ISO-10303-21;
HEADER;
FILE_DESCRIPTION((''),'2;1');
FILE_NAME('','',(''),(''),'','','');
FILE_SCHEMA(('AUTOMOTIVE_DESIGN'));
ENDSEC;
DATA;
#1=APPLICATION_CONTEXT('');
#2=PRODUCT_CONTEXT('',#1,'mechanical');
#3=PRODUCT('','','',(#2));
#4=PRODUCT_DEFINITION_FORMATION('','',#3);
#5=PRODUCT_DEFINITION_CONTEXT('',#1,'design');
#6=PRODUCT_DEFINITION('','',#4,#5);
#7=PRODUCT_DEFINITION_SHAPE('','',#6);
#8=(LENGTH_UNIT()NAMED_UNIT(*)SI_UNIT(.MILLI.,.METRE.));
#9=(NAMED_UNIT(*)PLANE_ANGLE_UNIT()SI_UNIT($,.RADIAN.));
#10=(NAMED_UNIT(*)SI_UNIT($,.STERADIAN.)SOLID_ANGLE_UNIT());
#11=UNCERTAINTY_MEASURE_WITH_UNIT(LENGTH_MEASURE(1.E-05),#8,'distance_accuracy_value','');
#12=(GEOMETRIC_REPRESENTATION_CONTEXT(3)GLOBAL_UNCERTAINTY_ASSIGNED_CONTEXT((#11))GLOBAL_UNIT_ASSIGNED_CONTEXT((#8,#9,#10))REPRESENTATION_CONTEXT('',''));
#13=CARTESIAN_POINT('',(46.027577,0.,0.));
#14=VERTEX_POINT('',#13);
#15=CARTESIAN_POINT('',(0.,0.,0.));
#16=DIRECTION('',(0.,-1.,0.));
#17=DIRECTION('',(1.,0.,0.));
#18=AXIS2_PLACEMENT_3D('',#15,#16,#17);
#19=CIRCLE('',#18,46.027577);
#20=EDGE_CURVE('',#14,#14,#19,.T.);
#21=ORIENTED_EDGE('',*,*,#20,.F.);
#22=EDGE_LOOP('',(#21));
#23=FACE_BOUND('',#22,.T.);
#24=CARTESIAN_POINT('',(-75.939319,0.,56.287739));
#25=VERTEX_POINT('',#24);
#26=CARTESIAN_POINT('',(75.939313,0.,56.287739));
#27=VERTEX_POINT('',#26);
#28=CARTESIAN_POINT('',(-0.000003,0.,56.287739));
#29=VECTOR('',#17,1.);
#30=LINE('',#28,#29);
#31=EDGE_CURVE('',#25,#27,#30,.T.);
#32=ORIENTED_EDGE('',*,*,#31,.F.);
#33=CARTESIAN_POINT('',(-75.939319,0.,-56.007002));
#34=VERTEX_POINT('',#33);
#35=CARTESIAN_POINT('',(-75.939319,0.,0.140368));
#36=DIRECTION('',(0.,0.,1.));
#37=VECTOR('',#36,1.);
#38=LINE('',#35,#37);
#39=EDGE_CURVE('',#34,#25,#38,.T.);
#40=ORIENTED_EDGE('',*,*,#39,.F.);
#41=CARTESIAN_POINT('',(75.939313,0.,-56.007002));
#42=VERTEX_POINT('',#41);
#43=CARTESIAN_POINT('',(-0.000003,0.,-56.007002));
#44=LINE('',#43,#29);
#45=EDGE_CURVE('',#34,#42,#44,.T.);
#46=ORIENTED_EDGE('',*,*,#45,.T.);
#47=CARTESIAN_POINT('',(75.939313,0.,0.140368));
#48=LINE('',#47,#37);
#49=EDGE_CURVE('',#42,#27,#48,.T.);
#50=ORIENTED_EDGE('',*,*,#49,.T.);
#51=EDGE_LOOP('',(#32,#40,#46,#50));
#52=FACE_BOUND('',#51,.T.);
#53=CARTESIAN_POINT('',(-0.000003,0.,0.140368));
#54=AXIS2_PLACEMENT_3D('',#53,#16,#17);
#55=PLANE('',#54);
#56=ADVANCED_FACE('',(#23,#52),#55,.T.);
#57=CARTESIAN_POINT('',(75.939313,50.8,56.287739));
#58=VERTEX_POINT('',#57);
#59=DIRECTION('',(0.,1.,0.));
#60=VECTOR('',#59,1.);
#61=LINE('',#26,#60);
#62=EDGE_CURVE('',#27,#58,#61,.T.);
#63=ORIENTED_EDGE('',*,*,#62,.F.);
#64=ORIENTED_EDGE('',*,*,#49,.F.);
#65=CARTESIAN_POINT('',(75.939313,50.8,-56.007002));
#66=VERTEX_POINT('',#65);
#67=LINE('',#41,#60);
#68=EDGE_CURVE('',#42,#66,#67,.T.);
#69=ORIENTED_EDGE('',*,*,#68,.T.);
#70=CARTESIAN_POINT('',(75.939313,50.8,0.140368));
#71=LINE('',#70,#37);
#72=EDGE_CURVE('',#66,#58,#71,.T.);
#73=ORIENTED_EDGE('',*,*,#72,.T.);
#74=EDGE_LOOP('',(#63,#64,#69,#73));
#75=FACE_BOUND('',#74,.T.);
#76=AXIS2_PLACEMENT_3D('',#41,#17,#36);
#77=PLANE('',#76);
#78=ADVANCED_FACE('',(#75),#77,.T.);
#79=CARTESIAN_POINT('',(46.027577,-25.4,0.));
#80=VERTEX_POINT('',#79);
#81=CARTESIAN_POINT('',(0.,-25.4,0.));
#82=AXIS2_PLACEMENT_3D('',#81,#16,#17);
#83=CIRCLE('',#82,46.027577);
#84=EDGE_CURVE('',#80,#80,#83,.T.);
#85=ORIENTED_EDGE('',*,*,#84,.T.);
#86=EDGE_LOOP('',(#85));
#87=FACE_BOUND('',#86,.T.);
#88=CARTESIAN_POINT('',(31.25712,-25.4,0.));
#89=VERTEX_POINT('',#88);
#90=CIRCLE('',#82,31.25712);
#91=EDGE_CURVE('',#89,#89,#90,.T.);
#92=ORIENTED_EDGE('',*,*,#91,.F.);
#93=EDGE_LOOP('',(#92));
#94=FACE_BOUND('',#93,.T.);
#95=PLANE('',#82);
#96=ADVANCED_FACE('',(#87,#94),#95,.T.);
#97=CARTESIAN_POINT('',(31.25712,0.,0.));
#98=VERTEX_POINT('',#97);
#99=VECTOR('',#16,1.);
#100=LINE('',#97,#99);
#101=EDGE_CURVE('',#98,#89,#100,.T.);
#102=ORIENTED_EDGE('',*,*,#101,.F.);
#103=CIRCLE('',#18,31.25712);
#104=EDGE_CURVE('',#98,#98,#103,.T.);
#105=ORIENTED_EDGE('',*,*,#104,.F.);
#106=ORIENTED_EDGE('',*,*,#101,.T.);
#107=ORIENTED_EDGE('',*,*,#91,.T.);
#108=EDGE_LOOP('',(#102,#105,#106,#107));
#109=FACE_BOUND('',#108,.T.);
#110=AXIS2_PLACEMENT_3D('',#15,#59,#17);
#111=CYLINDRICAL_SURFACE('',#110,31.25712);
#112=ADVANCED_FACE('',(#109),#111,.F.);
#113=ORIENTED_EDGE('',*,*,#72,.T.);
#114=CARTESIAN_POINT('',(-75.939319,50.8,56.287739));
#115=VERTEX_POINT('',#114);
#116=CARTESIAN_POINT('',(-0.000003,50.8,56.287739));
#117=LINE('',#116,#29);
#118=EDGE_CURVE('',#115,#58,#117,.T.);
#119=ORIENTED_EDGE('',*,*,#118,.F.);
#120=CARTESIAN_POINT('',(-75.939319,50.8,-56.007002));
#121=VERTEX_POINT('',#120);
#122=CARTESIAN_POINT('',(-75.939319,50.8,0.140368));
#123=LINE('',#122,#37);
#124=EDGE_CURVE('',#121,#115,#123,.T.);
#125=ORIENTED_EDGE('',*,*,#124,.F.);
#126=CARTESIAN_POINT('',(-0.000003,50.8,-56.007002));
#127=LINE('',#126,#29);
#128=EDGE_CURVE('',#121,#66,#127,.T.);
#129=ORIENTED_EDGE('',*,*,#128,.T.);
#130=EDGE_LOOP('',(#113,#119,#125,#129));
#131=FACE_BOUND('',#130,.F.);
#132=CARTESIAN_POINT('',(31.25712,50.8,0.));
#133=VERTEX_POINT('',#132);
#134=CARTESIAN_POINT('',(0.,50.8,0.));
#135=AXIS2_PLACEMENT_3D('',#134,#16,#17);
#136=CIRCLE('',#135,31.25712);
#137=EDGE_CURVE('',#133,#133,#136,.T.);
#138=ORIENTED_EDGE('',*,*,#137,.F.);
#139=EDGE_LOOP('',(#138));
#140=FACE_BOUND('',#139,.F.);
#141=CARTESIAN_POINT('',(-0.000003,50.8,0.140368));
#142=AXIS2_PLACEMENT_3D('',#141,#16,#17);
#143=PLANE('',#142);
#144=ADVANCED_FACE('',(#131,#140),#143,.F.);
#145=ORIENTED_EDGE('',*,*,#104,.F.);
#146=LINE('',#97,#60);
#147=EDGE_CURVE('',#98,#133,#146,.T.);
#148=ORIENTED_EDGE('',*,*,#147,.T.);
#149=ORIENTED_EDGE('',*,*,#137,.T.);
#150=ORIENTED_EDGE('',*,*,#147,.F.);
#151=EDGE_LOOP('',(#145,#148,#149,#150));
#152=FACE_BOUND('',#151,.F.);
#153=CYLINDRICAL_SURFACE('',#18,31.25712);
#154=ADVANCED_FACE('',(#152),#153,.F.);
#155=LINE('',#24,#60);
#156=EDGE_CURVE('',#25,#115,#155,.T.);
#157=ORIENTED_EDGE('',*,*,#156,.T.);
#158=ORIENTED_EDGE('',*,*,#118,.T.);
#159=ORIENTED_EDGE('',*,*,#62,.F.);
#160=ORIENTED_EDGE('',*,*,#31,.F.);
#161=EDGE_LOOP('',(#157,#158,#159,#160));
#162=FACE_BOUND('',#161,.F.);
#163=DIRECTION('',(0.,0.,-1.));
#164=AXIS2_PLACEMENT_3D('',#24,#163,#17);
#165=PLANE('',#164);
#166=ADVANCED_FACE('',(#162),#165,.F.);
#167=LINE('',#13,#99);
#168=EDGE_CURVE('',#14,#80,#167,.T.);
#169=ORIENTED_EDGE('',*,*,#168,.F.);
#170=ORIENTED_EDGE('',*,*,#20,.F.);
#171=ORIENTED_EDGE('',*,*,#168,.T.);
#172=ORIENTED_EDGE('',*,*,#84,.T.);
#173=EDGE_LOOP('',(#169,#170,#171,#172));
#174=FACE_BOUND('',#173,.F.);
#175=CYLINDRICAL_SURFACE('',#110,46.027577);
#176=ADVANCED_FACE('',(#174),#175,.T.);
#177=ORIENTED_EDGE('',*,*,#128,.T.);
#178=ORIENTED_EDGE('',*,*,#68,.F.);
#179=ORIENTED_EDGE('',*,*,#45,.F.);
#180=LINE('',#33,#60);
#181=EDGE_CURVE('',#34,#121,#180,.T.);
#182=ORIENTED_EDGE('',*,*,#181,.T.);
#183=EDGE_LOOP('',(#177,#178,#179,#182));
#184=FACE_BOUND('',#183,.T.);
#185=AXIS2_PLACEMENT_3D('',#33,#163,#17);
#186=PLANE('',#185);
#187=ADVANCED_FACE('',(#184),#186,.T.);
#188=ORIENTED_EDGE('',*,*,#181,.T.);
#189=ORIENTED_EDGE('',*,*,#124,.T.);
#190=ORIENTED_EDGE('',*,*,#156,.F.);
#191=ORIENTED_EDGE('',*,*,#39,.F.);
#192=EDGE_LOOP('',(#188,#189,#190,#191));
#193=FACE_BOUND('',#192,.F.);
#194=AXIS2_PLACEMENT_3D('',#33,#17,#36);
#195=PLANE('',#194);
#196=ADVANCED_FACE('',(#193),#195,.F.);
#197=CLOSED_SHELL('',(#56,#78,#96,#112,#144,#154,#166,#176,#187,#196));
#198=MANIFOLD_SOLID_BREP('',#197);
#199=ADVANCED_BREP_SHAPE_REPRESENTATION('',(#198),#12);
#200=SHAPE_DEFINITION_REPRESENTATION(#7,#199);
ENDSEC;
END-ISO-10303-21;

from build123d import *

# Parameters (mm, degrees)
F0_R      = 46.027577
F0_R_2    = 31.25712
F1_DEPTH  = 25.4
F2_W      = 151.878633
F2_H      = 112.294741
F3_DEPTH  = 50.8
F3_FACE_R = 31.25712
F4_DEPTH  = 134.366


with BuildPart() as f1:
    # F0 (on Front) → F1 (new body)
    with BuildSketch(Plane.XZ):
        Circle(F0_R)
        Circle(F0_R_2, mode=Mode.SUBTRACT)
    extrude(amount=F1_DEPTH)

    # F2 (on Front) → F3 (join)
    with BuildSketch(Plane.XZ):
        with Locations((-3e-06, 0.140368)):
            Rectangle(F2_W, F2_H)
    extrude(amount=-F3_DEPTH)

    # F3_face (on face) → F4 (cut)
    with BuildSketch(Plane.XZ):
        Circle(F3_FACE_R)
    extrude(amount=-F4_DEPTH, mode=Mode.SUBTRACT)


solid = f1.part
